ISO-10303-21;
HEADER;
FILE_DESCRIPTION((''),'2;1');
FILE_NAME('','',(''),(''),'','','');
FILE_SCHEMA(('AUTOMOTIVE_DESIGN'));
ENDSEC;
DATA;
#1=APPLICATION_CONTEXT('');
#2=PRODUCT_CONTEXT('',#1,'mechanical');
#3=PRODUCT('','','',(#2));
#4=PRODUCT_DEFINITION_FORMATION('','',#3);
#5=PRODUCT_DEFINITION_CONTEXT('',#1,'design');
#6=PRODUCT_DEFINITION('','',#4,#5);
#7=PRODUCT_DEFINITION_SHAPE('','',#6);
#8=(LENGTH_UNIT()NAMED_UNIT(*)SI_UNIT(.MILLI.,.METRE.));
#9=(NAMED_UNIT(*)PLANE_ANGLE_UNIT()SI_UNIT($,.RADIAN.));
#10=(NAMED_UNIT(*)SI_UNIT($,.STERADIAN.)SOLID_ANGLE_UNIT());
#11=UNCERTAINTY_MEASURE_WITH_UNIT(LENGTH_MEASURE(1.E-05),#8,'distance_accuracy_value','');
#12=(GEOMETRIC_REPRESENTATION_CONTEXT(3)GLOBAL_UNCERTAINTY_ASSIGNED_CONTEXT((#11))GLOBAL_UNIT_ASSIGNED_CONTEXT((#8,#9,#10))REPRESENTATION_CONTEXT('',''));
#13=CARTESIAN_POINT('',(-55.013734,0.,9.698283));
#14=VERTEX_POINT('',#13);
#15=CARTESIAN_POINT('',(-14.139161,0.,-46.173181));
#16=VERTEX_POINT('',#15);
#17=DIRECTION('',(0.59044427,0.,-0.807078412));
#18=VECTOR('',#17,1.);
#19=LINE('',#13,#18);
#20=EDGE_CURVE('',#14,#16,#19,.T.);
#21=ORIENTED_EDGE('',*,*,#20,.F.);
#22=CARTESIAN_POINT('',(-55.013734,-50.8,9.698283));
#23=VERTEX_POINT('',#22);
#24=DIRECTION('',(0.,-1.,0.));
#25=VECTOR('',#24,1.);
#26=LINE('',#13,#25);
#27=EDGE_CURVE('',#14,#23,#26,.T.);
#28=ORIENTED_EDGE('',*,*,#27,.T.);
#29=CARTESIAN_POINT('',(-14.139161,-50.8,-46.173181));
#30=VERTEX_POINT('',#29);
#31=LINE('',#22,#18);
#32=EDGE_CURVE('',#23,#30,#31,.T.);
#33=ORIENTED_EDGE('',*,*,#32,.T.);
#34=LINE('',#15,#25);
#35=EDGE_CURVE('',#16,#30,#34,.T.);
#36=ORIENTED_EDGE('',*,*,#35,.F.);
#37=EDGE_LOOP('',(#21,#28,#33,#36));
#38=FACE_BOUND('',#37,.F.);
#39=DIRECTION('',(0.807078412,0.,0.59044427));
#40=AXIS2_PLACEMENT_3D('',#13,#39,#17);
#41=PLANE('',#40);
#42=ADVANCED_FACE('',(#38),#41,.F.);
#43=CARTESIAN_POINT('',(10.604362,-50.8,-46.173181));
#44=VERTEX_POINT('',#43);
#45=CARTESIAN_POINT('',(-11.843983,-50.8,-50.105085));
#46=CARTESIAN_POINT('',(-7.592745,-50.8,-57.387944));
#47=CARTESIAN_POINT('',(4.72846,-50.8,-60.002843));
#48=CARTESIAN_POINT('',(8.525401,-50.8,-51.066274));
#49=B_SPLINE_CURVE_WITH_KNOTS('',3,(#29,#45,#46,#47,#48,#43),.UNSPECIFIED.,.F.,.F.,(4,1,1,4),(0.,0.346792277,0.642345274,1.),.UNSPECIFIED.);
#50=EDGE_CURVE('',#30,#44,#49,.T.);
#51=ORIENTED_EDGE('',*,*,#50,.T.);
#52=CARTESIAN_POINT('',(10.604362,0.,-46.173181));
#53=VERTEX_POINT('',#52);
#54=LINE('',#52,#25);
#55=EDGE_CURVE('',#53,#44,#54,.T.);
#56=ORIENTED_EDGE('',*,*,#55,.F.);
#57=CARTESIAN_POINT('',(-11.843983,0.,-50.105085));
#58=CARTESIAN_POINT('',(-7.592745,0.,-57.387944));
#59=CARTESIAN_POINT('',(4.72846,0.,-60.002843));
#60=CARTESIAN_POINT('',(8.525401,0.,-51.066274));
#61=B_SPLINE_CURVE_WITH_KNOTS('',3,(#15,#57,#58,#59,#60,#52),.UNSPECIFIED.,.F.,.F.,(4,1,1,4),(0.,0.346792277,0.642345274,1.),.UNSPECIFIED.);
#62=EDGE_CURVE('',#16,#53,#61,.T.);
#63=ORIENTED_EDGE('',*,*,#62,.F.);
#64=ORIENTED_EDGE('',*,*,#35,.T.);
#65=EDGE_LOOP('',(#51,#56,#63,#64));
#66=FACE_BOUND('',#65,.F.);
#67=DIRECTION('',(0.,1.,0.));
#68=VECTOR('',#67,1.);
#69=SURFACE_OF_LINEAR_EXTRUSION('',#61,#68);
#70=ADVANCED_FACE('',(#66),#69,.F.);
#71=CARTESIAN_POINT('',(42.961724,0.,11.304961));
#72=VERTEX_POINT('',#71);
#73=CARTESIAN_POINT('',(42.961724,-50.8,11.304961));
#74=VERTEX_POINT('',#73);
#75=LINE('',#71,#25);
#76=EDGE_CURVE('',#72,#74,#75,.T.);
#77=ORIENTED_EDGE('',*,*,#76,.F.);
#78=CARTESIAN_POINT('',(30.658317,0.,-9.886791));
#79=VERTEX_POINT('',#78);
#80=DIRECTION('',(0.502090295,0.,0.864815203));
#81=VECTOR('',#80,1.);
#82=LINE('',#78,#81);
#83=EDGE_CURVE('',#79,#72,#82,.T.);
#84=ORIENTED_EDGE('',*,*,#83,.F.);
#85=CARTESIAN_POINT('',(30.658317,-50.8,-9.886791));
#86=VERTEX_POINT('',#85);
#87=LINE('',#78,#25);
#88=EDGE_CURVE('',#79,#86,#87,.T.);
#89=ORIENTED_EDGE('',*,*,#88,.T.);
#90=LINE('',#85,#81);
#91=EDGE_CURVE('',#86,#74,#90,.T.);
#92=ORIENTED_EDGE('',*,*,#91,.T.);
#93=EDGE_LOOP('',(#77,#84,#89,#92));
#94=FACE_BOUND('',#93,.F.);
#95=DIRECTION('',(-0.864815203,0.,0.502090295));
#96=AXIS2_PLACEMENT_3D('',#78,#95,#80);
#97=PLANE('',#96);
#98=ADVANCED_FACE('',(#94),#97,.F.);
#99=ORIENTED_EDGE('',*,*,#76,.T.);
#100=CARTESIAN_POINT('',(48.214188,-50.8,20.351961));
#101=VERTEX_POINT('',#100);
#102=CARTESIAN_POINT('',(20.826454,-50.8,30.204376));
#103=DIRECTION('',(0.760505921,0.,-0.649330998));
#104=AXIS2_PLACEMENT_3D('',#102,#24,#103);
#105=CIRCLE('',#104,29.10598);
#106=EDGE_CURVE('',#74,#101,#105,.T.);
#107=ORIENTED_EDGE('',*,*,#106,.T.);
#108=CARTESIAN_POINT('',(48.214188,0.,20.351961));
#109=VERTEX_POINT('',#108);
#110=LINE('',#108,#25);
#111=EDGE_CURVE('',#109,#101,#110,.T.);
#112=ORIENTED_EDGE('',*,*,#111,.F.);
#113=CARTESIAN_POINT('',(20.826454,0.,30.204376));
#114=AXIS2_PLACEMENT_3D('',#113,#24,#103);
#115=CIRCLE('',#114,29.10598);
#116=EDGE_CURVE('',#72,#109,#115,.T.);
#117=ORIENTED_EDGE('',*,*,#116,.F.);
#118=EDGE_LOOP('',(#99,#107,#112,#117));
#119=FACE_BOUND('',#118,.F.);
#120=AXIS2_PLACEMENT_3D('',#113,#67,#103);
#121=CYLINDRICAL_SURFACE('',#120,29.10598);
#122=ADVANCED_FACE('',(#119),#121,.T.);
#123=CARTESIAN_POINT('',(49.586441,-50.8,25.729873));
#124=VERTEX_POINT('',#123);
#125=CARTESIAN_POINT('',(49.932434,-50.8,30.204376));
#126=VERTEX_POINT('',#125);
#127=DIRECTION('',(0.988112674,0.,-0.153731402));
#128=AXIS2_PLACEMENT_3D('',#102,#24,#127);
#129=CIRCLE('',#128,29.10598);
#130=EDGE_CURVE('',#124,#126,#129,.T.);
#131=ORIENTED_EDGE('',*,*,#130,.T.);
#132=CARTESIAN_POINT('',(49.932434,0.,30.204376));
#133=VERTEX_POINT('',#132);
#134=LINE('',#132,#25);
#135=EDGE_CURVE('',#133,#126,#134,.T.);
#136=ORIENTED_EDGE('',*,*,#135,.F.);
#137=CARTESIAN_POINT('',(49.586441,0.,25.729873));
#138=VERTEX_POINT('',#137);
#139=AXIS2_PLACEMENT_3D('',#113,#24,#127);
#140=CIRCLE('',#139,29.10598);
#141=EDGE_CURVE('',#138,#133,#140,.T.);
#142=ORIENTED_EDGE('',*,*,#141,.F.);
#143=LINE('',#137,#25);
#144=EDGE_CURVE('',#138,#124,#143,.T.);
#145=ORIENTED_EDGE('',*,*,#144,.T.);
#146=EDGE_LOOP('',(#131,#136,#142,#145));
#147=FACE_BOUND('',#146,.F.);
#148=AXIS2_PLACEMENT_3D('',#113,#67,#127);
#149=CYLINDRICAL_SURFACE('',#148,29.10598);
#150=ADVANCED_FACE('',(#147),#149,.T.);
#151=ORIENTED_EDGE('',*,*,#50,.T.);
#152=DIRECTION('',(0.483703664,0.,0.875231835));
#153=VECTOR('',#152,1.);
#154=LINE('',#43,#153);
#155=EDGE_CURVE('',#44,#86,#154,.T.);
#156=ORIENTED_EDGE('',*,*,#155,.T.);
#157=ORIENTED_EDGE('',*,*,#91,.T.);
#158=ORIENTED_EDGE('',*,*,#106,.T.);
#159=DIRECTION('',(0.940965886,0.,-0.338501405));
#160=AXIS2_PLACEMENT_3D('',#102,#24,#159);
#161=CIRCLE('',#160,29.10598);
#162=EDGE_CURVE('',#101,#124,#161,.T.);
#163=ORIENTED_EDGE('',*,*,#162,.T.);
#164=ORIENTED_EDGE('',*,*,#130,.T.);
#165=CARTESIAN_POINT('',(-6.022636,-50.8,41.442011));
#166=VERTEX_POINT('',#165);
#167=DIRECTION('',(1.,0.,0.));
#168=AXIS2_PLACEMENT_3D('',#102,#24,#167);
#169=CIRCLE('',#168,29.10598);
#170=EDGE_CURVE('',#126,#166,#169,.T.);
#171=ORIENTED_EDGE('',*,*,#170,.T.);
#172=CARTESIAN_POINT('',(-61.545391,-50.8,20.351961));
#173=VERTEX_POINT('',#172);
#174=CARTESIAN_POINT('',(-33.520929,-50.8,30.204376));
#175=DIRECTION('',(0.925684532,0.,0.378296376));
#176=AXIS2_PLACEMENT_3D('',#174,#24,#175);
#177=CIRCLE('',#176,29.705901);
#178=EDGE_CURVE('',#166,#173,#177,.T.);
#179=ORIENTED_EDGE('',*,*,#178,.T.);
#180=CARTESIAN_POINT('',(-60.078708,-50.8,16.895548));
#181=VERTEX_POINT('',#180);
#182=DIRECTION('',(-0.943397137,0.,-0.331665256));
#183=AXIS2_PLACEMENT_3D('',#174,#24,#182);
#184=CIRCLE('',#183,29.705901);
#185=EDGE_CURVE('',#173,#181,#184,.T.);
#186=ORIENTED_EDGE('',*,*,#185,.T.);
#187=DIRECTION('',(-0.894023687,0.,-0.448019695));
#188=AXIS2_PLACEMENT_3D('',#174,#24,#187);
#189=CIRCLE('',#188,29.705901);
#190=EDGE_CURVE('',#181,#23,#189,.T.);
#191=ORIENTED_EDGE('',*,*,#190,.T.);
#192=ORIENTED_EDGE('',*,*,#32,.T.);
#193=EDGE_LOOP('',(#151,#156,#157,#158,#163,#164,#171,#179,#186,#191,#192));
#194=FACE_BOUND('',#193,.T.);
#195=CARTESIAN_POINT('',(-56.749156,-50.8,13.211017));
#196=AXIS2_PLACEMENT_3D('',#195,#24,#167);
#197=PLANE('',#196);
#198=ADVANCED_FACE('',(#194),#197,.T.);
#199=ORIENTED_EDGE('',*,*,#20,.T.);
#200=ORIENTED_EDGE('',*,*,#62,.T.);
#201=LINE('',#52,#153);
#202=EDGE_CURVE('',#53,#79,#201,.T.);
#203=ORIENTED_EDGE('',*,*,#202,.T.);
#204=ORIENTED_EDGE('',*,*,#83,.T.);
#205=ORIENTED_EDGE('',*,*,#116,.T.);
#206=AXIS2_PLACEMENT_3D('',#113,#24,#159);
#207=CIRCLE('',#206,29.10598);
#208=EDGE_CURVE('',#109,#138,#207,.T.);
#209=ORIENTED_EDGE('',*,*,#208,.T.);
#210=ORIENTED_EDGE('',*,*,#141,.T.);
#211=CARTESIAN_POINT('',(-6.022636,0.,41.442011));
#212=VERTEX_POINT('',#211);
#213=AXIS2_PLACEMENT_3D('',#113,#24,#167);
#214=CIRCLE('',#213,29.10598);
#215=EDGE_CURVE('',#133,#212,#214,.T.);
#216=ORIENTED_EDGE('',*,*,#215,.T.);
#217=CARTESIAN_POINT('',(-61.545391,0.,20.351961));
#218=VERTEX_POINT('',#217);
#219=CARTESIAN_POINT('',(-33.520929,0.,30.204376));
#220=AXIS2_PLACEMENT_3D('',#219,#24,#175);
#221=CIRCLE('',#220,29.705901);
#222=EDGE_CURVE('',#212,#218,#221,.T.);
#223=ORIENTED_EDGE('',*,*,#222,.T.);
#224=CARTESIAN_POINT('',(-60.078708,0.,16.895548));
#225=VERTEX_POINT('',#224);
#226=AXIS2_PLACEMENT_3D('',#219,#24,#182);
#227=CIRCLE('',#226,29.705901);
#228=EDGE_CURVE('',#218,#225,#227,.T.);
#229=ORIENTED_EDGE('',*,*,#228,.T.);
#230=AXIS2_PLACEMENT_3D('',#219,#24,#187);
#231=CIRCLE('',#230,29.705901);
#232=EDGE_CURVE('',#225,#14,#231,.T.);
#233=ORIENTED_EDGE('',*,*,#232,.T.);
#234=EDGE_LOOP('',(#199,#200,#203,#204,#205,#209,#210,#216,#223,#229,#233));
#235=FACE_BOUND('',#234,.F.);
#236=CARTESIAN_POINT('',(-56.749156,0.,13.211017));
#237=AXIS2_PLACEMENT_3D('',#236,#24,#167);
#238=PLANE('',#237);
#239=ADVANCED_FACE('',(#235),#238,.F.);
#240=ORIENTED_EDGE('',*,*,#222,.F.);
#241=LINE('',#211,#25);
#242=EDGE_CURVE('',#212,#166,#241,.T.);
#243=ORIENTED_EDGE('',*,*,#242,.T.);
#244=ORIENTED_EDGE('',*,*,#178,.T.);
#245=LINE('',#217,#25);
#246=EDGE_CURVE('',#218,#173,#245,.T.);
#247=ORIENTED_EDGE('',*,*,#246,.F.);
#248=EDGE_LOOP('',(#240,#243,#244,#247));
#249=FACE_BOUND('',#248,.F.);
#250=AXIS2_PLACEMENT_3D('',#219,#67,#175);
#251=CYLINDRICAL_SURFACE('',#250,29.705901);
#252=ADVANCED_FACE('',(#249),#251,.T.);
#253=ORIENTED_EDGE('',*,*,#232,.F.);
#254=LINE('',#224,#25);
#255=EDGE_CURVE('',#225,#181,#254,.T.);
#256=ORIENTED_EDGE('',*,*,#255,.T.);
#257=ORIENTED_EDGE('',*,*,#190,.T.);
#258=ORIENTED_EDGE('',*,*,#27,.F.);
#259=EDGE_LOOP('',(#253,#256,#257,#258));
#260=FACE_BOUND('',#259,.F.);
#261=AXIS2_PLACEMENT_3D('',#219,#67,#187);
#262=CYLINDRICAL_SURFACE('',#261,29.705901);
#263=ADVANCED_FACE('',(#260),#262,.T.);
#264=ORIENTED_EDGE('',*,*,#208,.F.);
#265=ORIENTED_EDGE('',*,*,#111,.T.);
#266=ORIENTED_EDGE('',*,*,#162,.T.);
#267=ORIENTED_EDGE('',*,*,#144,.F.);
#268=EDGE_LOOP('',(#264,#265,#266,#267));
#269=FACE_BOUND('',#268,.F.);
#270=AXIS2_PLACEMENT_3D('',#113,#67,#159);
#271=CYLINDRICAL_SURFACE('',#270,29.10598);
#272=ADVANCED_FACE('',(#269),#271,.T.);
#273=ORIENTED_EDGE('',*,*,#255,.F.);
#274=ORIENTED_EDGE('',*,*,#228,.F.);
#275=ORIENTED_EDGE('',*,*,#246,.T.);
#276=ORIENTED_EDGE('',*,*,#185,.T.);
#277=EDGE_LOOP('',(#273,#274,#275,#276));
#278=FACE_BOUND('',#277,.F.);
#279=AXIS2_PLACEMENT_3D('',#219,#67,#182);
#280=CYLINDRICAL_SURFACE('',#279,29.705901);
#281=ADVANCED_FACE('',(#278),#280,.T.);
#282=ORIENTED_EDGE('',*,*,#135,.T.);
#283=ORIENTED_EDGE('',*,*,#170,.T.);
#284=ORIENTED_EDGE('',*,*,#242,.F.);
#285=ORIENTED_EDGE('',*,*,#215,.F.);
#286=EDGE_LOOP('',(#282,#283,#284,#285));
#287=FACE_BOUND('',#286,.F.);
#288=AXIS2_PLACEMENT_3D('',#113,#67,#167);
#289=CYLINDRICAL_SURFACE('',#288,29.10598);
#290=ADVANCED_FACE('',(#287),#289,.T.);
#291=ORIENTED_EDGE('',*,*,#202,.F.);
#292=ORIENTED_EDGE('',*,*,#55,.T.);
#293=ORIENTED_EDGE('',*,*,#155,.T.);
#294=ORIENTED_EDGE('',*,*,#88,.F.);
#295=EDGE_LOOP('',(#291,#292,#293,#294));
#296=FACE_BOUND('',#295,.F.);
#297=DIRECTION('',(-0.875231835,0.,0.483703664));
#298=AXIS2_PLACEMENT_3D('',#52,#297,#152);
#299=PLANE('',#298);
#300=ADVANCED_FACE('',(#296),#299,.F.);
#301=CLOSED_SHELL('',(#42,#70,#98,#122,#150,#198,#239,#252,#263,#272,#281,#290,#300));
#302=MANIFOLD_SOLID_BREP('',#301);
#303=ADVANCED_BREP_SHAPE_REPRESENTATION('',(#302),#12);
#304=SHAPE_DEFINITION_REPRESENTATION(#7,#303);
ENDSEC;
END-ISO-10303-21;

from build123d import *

# Parameters (mm, degrees)
F1_DEPTH = 50.8


with BuildPart() as f1:
    # F0 (on Front) → F1 (new body)
    with BuildSketch(Plane.XZ):
        with BuildLine():
            Line((-51.3954042884, 6.4779423518), (-61.5453907135, 20.3519611838))
            ThreePointArc((-61.5453907135, 20.3519611838), (-60.8667138024, 18.6005583406), (-60.0787079167, 16.8955477856))
            Line((-60.0787079167, 16.8955477856), (-54.2455671219, 8.922226261))
            ThreePointArc((-54.2455671219, 8.922226261), (-52.8591429812, 7.6550079014), (-51.3954042884, 6.4779423518))
        make_face()
        with BuildLine():
            ThreePointArc((-6.0226364292, 41.4420108727), (-44.0692352638, 57.9743919714), (-61.5453907135, 20.3519611838))
            Line((-61.5453907135, 20.3519611838), (-51.3954042884, 6.4779423518))
            ThreePointArc((-51.3954042884, 6.4779423518), (-25.6375926651, 1.5636092662), (-6.0226364292, 18.9667417762))
            ThreePointArc((-6.0226364292, 18.9667417762), (-8.2795262845, 30.2043763245), (-6.0226364292, 41.4420108727))
        make_face()
        with BuildLine():
            Line((-54.2455671219, 8.922226261), (-60.0787079167, 16.8955477856))
            ThreePointArc((-60.0787079167, 16.8955477856), (-57.8142370593, 13.1083030608), (-55.0137343474, 9.6982832032))
            ThreePointArc((-55.0137343474, 9.6982832032), (-54.6332168762, 9.3067248454), (-54.2455671219, 8.922226261))
        make_face()
        with BuildLine():
            ThreePointArc((49.9324337511, 30.2043763245), (26.557465469, 58.7405564697), (-6.0226364292, 41.4420108727))
            ThreePointArc((-6.0226364292, 41.4420108727), (-4.3721548681, 35.9305871783), (-3.8150285088, 30.2043763245))
            ThreePointArc((-3.8150285088, 30.2043763245), (-4.3721548681, 24.4781654706), (-6.0226364292, 18.9667417762))
            ThreePointArc((-6.0226364292, 18.9667417762), (14.6704111622, 1.7568595144), (40.6273265146, 8.8716899044))
            Line((40.6273265146, 8.8716899044), (49.5864414711, 25.7298732103))
            ThreePointArc((49.5864414711, 25.7298732103), (49.8458067689, 27.9604462466), (49.9324337511, 30.2043763245))
        make_face()
        with BuildLine():
            ThreePointArc((-3.8150285088, 30.2043763245), (-4.3721548681, 35.9305871783), (-6.0226364292, 41.4420108727))
            ThreePointArc((-6.0226364292, 41.4420108727), (-8.2795262845, 30.2043763245), (-6.0226364292, 18.9667417762))
            ThreePointArc((-6.0226364292, 18.9667417762), (-4.3721548681, 24.4781654706), (-3.8150285088, 30.2043763245))
        make_face()
        with BuildLine():
            ThreePointArc((-6.0226364292, 18.9667417762), (-25.6375926651, 1.5636092662), (-51.3954042884, 6.4779423518))
            ThreePointArc((-51.3954042884, 6.4779423518), (-52.8591429812, 7.6550079014), (-54.2455671219, 8.922226261))
            ThreePointArc((-54.2455671219, 8.922226261), (-54.6332168762, 9.3067248454), (-55.0137343474, 9.6982832032))
            Line((-55.0137343474, 9.6982832032), (-14.1391605139, -46.1731813848))
            add(Edge.make_bspline(
                [(-14.1391605139, -46.1731813848), (-11.8439830731, -50.1050845186), (-7.5927454261, -57.3879439304), (4.7284603427, -60.0028426907), (8.5254006183, -51.0662741363), (10.6043620035, -46.1731813848)],
                knots=[0, 0, 0, 0, 0.3467922767, 0.6423452742, 1, 1, 1, 1], degree=3))
            Line((10.6043620035, -46.1731813848), (30.6583169634, -9.8867913974))
            Line((30.6583169634, -9.8867913974), (40.6273265146, 8.8716899044))
            ThreePointArc((40.6273265146, 8.8716899044), (14.6704111622, 1.7568595144), (-6.0226364292, 18.9667417762))
        make_face()
        with BuildLine():
            ThreePointArc((48.2141880079, 20.3519611838), (49.0287968317, 23.0081330988), (49.5864414711, 25.7298732103))
            Line((49.5864414711, 25.7298732103), (40.6273265146, 8.8716899044))
            ThreePointArc((40.6273265146, 8.8716899044), (41.0589651736, 9.2806206), (41.4821603951, 9.6982832032))
            ThreePointArc((41.4821603951, 9.6982832032), (42.2370183544, 10.4877387966), (42.9617238671, 11.3049612832))
            Line((42.9617238671, 11.3049612832), (48.2141880079, 20.3519611838))
        make_face()
        with BuildLine():
            ThreePointArc((41.4821603951, 9.6982832032), (41.0589651736, 9.2806206), (40.6273265146, 8.8716899044))
            Line((40.6273265146, 8.8716899044), (30.6583169634, -9.8867913974))
            Line((30.6583169634, -9.8867913974), (41.4821603951, 9.6982832032))
        make_face()
        with BuildLine():
            ThreePointArc((42.9617238671, 11.3049612832), (45.9977477646, 15.590546245), (48.2141880079, 20.3519611838))
            Line((48.2141880079, 20.3519611838), (42.9617238671, 11.3049612832))
        make_face()
        with BuildLine():
            ThreePointArc((42.9617238671, 11.3049612832), (42.2370183544, 10.4877387966), (41.4821603951, 9.6982832032))
            Line((41.4821603951, 9.6982832032), (30.6583169634, -9.8867913974))
            Line((30.6583169634, -9.8867913974), (42.9617238671, 11.3049612832))
        make_face()
    extrude(amount=F1_DEPTH)


solid = f1.part
